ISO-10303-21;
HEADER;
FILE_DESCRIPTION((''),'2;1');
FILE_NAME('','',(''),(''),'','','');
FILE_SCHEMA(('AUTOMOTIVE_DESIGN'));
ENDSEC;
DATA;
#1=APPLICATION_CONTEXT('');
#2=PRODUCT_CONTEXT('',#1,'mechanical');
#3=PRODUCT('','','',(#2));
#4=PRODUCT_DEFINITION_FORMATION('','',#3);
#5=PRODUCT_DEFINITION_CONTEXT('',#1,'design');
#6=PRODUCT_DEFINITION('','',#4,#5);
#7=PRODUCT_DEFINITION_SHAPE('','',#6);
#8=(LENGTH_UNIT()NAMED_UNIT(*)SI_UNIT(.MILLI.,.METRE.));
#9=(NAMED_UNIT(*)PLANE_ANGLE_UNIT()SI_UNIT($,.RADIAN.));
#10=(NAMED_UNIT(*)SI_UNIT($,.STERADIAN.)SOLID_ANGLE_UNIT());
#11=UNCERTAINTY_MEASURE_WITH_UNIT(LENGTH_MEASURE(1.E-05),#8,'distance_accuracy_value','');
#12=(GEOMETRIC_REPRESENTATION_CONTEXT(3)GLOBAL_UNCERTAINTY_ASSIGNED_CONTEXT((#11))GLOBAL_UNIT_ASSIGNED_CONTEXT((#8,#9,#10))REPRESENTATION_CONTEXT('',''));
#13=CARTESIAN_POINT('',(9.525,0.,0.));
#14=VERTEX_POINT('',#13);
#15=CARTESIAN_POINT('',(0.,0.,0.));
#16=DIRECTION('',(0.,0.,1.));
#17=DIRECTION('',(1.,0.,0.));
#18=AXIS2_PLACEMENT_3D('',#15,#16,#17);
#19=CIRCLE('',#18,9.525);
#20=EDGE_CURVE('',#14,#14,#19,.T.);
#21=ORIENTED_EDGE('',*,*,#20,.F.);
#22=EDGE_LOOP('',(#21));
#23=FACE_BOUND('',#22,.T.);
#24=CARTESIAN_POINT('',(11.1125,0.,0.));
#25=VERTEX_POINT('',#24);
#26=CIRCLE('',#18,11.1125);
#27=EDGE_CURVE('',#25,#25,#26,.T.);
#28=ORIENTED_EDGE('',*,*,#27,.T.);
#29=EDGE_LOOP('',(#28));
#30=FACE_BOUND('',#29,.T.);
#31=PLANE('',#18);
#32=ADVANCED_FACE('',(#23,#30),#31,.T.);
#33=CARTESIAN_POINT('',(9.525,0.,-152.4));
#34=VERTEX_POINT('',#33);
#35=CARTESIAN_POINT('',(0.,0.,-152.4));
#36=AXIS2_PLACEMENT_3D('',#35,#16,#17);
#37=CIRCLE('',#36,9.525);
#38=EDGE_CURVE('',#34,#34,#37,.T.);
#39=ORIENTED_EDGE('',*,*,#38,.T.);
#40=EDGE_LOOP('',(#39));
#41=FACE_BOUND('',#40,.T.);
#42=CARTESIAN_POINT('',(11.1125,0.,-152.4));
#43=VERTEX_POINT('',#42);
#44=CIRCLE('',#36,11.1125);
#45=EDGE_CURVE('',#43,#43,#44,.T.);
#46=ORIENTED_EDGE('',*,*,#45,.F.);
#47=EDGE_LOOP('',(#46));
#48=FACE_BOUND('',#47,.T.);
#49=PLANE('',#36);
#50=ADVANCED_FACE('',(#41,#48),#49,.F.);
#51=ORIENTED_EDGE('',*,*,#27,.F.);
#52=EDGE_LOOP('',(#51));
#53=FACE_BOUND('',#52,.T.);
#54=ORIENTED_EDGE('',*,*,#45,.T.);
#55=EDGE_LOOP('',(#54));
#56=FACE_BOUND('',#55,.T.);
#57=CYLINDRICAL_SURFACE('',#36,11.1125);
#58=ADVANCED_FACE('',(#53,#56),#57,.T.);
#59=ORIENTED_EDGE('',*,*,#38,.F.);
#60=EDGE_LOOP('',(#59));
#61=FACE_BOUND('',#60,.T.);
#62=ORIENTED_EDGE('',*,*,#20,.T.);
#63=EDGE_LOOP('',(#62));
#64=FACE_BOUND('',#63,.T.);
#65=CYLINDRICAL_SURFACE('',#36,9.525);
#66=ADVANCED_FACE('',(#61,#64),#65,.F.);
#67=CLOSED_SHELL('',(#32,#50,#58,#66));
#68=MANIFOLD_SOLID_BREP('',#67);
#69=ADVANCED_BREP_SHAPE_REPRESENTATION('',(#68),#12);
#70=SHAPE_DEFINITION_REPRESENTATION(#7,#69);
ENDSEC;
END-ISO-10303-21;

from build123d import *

# Parameters (mm, degrees)
SKETCH1_R           = 11.1125
SKETCH1_R_2         = 9.525
EXTRUDE_THIN1_DEPTH = 152.4


with BuildPart() as part:
    # Sketch1 → Extrude-Thin1 (new body)
    with BuildSketch(Plane.XY):
        Circle(SKETCH1_R)
        Circle(SKETCH1_R_2, mode=Mode.SUBTRACT)
    extrude(amount=-EXTRUDE_THIN1_DEPTH)


solid = part.part
